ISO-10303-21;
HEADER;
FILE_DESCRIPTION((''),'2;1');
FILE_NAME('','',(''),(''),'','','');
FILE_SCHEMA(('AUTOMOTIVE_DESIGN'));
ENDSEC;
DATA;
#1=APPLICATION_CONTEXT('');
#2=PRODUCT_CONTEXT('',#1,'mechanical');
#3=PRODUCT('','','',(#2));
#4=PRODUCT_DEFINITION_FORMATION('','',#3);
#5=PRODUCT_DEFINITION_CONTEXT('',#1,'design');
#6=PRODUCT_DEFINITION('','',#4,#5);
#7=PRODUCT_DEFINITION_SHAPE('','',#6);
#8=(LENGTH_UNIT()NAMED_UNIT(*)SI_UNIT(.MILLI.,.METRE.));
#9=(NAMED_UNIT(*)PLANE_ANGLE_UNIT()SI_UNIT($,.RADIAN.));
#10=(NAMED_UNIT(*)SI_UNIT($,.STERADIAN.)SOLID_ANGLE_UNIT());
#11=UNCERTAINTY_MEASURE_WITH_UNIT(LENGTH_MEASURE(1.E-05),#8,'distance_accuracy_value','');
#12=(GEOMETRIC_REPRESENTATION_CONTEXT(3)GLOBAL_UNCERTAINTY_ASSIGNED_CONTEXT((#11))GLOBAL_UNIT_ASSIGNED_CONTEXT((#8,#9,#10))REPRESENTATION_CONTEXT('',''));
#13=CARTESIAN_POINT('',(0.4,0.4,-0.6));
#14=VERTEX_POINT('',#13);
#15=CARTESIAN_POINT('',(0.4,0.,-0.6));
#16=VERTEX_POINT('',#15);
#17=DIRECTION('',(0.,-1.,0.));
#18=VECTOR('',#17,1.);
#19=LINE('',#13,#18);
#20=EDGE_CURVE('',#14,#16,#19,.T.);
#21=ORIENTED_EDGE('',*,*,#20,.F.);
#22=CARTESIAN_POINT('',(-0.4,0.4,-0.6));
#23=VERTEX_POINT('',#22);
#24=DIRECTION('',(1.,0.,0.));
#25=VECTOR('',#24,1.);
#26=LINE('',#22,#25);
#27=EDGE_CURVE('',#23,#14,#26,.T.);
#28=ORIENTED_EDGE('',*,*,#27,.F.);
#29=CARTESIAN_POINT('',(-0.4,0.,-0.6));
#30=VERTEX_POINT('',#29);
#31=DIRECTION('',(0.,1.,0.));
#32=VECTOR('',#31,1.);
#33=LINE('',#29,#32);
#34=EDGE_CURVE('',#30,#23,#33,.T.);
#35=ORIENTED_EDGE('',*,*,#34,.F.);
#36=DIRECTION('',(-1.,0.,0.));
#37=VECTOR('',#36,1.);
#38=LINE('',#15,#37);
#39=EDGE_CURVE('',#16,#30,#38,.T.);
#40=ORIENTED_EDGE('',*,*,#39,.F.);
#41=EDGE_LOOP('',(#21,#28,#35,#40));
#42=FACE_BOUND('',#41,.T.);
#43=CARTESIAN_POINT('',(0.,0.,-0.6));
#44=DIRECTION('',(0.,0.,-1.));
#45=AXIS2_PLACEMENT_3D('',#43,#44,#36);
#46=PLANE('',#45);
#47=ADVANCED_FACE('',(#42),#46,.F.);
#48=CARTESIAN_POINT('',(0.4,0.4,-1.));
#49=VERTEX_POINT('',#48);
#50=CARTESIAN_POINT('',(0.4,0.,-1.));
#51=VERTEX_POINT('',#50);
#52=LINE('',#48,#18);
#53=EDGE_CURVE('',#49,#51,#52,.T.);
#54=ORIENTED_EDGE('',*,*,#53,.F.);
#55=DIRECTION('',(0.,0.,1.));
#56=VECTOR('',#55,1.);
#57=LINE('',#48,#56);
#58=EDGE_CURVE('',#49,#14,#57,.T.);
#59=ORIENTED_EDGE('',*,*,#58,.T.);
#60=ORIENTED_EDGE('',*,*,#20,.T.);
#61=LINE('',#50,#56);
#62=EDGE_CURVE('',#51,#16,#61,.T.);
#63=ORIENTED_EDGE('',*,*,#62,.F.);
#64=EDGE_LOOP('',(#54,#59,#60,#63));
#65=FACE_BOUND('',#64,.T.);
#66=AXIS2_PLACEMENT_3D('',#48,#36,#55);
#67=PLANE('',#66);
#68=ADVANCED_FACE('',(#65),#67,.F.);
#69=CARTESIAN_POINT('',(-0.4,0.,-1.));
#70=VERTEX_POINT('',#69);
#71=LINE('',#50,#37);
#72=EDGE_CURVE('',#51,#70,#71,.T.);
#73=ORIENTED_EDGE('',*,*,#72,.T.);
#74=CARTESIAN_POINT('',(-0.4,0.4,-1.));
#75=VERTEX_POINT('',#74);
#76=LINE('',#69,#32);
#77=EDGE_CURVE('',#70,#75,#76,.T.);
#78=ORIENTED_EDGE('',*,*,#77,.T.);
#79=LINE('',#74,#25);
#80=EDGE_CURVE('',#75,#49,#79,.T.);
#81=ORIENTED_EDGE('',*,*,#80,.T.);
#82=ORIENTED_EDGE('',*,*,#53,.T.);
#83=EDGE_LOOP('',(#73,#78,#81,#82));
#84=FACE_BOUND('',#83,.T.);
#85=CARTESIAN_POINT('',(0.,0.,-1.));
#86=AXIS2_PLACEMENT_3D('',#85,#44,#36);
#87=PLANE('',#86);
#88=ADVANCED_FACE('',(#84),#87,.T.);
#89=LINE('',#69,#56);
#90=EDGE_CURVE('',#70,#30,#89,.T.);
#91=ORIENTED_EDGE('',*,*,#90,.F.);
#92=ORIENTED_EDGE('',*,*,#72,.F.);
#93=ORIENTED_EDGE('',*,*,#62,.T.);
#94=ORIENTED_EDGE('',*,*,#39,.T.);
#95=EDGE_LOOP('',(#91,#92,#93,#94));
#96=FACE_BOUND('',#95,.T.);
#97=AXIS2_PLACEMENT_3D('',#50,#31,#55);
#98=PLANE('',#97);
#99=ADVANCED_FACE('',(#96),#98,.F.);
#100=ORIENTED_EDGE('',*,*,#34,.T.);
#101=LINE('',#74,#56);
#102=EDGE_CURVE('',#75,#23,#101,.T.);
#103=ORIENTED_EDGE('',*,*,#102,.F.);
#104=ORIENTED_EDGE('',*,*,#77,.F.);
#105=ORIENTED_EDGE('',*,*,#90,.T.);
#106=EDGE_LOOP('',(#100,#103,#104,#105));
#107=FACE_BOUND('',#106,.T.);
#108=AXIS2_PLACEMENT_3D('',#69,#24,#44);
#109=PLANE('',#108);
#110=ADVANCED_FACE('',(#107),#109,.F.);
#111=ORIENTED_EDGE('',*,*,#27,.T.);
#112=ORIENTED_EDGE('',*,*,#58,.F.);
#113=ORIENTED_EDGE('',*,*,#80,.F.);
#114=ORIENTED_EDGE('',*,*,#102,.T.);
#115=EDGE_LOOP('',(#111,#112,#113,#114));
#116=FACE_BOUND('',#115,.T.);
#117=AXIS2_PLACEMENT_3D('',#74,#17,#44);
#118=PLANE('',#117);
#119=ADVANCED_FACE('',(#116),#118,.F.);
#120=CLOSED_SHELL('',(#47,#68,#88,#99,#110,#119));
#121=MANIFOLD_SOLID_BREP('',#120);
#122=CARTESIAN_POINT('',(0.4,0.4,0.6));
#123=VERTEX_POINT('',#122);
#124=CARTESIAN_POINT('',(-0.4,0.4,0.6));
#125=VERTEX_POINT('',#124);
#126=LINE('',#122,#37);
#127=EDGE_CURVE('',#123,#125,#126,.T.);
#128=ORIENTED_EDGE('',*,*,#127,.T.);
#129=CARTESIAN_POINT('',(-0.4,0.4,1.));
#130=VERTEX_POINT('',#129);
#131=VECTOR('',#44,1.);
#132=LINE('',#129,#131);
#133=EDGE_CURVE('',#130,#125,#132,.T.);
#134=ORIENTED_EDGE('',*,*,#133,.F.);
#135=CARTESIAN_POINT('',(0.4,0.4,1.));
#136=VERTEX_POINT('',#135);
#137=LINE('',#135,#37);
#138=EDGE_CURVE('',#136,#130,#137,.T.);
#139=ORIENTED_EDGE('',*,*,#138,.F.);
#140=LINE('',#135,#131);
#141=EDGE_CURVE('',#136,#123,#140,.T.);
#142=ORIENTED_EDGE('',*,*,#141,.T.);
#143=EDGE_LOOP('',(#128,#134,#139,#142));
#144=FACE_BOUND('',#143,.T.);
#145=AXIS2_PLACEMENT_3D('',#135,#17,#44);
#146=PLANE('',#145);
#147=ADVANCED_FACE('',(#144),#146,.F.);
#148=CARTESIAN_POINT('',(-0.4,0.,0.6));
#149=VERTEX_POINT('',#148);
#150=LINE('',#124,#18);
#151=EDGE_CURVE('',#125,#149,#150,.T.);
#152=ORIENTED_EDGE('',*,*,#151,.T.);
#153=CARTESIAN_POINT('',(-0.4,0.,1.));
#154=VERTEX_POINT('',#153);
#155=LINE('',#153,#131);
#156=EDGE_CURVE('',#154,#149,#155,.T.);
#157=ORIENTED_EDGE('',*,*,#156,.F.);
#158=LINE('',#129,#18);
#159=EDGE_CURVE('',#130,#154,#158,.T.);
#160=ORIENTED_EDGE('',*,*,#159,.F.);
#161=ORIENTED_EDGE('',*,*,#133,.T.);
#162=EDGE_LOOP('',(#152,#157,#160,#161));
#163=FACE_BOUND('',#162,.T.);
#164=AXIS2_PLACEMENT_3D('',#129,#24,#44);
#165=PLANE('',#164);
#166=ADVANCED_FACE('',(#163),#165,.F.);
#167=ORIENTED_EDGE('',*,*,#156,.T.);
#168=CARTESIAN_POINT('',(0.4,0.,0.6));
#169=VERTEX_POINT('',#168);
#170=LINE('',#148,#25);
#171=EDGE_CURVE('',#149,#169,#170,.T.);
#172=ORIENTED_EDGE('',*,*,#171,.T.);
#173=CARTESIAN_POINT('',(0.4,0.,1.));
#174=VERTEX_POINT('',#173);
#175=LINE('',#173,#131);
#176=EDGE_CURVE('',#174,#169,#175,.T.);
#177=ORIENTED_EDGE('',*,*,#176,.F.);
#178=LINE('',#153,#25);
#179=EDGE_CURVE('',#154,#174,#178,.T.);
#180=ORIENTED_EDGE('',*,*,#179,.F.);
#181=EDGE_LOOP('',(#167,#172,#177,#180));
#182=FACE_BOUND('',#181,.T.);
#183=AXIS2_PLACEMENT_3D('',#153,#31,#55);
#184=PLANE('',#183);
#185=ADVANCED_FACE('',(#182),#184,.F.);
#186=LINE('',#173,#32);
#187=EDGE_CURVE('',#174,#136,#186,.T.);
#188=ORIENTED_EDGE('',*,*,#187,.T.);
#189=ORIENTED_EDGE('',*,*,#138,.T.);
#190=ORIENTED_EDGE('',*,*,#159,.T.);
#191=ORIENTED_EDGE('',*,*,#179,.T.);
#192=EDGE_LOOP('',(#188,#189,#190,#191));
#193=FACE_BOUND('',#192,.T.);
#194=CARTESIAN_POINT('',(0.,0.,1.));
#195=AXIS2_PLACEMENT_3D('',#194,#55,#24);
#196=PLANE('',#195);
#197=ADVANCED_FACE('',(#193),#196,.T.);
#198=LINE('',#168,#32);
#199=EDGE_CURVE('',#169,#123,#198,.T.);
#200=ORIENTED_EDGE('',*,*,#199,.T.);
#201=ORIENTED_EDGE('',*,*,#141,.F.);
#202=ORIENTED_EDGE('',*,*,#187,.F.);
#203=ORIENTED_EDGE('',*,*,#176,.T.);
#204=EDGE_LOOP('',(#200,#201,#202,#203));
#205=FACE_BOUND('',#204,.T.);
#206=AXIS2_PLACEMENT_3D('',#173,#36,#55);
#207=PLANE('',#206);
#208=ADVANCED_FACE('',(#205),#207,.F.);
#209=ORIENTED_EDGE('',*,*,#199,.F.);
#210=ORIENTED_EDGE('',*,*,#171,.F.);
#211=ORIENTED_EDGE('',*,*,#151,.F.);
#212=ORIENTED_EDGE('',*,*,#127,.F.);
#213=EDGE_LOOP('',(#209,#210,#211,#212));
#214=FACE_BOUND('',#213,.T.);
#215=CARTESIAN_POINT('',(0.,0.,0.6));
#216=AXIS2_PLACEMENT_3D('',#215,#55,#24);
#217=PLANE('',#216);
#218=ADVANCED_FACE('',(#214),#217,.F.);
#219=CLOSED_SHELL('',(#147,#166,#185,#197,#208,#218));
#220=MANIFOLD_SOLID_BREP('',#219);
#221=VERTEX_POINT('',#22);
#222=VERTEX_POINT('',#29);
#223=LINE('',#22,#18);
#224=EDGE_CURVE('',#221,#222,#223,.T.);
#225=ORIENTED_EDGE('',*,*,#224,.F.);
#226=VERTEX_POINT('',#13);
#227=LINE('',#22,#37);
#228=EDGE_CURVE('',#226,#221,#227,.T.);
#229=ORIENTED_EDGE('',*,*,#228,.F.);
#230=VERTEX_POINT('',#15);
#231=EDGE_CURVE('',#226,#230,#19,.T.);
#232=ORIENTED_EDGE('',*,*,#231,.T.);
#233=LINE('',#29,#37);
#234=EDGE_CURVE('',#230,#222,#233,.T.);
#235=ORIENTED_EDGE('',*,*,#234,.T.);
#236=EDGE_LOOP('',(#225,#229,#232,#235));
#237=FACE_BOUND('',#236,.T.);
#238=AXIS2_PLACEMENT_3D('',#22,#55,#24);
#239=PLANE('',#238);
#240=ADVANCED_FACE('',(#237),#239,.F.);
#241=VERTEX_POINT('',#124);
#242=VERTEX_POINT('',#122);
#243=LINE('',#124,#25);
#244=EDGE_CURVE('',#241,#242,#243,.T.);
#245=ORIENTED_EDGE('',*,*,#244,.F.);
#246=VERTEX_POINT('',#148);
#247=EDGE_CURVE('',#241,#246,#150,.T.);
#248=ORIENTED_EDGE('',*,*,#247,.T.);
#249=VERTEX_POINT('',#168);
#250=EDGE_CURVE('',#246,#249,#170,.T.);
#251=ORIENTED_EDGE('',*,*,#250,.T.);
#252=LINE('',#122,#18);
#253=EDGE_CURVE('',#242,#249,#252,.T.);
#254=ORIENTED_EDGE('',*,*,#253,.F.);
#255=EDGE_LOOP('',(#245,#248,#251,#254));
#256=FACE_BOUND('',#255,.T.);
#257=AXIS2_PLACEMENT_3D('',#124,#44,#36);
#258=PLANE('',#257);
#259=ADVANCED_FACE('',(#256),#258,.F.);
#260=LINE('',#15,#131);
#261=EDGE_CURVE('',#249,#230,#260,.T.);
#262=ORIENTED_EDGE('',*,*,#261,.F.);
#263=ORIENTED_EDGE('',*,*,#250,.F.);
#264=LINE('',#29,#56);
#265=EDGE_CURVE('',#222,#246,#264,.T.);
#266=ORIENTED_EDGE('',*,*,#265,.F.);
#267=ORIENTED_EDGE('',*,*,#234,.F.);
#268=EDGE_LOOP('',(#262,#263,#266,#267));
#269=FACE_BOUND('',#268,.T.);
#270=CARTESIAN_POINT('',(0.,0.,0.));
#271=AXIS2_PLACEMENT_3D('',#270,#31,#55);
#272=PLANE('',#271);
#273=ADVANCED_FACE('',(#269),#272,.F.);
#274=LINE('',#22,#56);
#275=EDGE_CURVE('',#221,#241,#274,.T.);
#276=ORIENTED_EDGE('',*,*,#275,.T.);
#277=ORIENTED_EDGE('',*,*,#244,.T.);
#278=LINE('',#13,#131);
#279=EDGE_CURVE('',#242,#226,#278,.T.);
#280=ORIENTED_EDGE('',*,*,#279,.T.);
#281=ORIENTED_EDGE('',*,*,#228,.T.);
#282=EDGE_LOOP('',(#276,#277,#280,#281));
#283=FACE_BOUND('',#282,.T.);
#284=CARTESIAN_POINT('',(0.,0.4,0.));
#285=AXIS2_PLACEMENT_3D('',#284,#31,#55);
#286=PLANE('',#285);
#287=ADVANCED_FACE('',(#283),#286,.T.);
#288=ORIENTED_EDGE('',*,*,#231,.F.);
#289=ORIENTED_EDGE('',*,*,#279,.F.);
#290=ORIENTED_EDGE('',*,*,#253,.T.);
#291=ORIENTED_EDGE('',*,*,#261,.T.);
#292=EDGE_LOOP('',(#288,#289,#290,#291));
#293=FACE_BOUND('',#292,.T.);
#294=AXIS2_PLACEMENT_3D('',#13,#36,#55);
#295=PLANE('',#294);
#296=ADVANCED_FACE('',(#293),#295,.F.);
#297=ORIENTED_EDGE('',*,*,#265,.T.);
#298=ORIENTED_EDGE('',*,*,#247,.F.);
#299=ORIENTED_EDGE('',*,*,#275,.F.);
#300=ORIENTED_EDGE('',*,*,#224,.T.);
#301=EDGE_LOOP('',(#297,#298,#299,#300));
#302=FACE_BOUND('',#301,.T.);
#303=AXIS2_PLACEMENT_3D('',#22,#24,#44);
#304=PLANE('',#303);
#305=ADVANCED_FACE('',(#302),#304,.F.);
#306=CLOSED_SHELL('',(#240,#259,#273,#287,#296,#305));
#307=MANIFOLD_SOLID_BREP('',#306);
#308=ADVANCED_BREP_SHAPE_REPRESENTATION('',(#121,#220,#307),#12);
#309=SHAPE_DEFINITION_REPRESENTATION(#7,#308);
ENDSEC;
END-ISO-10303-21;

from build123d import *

# Parameters (mm, degrees)
SKETCH1_W  = 0.8
SKETCH1_H  = 1.2
MB_DEPTH   = 0.4
SKETCH2_W  = 0.8
SKETCH2_H  = 0.4
SB_L_DEPTH = 0.4
SKETCH3_W  = 0.8
SKETCH3_H  = 0.4
SB_R_DEPTH = 0.4


with BuildPart() as part:
    # Sketch1 → MB (new body)
    with BuildSketch(Plane(origin=(0, 0, 0), x_dir=(1, 0, 0), z_dir=(0, 1, 0))):
        Rectangle(SKETCH1_W, SKETCH1_H)
    extrude(amount=MB_DEPTH)


with BuildPart() as body_2:
    # Sketch2 → SB L (new body)
    with BuildSketch(Plane.XY.offset(0.6)):
        with Locations((0, 0.2)):
            Rectangle(SKETCH2_W, SKETCH2_H)
    extrude(amount=SB_L_DEPTH)


with BuildPart() as body_3:
    # Sketch3 → SB R (new body)
    with BuildSketch(Plane(origin=(0, 0, -0.6), x_dir=(-1, 0, 0), z_dir=(0, 0, -1))):
        with Locations((0, 0.2)):
            Rectangle(SKETCH3_W, SKETCH3_H)
    extrude(amount=SB_R_DEPTH)


solid = Compound([part.part, body_2.part, body_3.part])
